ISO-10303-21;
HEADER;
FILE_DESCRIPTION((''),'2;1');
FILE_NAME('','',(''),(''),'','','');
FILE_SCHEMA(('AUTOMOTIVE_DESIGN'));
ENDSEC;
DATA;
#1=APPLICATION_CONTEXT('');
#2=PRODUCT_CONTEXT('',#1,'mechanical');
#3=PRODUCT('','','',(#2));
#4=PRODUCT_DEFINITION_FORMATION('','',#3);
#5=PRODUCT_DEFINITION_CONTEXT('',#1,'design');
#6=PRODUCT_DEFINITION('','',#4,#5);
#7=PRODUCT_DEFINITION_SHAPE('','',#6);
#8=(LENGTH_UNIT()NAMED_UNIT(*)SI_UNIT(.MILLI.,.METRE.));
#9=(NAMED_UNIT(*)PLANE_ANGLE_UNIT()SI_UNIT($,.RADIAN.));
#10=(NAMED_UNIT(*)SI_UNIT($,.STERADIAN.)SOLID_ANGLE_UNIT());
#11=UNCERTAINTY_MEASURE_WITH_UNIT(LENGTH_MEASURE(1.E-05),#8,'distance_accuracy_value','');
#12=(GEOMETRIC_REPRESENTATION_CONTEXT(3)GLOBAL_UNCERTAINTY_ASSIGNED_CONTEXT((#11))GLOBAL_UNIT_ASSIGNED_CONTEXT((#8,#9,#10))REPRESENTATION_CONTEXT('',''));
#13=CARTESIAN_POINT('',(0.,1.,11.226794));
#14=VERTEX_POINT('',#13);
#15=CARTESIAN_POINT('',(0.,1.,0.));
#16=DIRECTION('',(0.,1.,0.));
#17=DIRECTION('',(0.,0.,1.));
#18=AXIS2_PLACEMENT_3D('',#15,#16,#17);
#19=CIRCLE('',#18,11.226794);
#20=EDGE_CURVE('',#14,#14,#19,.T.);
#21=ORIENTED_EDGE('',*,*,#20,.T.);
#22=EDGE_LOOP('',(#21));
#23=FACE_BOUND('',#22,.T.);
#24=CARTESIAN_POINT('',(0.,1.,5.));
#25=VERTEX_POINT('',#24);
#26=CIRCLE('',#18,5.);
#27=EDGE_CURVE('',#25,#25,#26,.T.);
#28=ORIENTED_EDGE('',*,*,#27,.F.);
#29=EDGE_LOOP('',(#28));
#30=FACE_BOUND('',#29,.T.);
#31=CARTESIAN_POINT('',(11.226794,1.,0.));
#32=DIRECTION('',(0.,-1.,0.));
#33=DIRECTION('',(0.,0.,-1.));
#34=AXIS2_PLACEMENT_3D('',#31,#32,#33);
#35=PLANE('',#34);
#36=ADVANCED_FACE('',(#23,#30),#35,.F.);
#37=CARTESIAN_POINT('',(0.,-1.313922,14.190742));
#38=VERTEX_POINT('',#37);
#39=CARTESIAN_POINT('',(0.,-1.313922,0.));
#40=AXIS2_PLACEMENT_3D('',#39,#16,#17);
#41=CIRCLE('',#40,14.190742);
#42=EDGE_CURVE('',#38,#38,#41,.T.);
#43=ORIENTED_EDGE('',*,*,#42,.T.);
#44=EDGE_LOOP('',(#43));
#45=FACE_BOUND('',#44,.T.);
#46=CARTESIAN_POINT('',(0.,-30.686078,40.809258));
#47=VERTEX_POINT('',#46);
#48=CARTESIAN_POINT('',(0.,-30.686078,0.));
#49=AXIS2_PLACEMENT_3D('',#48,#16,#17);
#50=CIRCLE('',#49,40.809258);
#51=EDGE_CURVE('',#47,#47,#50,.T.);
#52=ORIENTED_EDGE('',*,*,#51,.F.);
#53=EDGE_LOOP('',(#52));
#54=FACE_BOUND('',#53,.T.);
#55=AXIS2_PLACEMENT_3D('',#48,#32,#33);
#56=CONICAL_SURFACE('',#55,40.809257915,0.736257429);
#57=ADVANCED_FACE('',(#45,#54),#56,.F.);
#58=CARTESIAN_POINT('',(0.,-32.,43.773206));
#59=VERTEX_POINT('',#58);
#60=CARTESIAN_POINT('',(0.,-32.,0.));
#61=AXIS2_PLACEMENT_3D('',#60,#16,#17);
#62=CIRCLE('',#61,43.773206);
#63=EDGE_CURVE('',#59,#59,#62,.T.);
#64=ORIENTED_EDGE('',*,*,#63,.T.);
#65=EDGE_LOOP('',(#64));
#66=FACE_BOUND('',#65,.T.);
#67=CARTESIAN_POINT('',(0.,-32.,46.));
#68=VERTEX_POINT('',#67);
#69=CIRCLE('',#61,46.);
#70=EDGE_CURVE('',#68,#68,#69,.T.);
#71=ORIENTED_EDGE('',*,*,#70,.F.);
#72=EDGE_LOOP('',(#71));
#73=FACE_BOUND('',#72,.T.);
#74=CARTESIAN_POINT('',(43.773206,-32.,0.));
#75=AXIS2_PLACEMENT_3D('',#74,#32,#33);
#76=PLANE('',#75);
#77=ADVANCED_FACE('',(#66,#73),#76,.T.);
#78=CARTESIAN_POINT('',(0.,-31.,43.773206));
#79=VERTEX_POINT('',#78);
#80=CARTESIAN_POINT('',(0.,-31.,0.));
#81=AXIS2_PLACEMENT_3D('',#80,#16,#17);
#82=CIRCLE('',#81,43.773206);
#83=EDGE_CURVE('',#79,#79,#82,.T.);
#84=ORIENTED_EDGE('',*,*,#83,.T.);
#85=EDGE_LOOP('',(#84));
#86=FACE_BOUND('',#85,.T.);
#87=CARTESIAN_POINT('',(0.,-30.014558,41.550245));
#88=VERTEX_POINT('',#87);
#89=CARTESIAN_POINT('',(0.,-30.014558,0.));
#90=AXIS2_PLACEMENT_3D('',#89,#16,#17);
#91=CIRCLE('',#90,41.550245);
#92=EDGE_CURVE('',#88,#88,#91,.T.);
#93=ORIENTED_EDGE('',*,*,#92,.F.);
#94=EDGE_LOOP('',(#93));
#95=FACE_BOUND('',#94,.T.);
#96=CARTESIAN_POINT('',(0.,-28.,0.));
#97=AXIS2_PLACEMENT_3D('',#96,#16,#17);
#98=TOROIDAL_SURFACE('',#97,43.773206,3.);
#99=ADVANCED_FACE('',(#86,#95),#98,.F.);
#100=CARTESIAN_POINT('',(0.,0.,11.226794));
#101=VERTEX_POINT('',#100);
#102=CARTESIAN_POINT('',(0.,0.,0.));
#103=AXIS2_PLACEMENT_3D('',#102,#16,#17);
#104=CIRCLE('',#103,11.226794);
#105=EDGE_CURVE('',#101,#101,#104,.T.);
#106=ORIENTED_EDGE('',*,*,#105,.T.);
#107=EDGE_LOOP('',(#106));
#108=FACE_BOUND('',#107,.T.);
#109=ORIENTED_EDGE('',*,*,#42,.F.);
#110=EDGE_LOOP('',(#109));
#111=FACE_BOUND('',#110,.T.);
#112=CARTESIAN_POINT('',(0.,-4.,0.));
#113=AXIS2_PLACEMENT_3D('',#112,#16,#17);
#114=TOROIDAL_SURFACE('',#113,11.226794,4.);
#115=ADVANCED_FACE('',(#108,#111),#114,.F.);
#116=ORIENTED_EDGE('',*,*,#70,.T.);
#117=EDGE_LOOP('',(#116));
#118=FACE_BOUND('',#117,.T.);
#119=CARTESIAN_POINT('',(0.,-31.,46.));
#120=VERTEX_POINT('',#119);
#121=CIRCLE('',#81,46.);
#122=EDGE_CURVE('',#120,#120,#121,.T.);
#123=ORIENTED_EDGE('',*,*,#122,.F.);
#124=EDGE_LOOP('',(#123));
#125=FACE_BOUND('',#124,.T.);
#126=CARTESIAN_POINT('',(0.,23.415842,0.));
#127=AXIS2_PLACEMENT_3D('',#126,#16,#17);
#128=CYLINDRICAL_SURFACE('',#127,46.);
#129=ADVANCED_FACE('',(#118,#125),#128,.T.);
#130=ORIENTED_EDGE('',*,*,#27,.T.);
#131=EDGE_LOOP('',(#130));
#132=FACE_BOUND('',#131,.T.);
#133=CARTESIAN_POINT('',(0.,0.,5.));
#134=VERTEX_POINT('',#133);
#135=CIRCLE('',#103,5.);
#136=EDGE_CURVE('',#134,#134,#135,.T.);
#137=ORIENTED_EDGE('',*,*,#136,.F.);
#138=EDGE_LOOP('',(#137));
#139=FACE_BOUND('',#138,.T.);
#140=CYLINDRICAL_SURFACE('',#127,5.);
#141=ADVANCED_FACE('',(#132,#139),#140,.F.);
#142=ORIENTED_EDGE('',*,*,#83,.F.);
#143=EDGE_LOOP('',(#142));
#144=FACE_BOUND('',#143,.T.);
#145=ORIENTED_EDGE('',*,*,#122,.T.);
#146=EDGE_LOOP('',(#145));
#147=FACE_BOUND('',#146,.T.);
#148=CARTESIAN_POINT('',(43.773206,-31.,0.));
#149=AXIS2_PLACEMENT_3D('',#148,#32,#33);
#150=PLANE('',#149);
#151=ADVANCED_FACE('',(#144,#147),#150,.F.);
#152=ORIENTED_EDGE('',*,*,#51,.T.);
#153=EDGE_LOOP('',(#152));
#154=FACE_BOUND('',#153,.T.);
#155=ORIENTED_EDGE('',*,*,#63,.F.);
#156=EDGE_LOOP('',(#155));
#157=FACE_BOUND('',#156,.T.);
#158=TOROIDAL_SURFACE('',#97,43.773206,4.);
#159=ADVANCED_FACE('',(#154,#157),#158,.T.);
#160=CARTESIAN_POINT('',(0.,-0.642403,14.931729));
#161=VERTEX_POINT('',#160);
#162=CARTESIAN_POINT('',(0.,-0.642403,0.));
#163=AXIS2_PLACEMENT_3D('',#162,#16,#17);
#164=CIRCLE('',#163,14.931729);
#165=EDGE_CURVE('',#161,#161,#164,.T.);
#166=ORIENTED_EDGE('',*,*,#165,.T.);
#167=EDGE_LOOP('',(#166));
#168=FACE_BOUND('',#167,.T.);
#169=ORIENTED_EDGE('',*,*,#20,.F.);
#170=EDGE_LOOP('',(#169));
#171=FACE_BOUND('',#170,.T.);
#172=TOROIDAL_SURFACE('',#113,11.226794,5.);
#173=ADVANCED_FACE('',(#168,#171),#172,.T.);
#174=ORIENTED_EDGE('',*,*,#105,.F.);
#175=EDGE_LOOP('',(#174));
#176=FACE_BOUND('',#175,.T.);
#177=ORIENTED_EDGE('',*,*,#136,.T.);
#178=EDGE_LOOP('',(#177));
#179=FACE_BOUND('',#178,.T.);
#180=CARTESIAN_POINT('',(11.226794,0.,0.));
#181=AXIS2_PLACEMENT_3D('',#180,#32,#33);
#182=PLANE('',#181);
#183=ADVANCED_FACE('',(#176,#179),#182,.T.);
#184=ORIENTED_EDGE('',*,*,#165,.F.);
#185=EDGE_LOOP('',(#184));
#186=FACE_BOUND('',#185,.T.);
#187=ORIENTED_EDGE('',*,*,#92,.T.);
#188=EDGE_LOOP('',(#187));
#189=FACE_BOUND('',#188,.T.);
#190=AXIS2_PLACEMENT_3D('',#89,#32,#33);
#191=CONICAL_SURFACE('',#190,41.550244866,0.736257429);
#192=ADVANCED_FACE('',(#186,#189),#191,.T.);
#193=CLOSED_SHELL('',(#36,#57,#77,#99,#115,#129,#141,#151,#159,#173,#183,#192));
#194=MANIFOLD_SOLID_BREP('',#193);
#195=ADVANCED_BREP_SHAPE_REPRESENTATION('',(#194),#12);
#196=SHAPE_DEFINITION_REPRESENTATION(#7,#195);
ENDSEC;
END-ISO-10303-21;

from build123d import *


with BuildPart() as part:
    # Sketch1 → Revolve-Thin1 (revolve)
    with BuildSketch(Plane.XY):
        with BuildLine():
            Line((5, 0), (11.22679428, 0))
            ThreePointArc((11.22679428, 0), (12.84785708, -0.343204217), (14.190742085, -1.313922301))
            Line((14.190742085, -1.313922301), (40.809257915, -30.686077699))
            ThreePointArc((40.809257915, -30.686077699), (42.15214292, -31.656795783), (43.77320572, -32))
            Line((43.77320572, -32), (46, -32))
            Line((46, -32), (46, -31))
            Line((46, -31), (43.77320572, -31))
            ThreePointArc((43.77320572, -31), (42.55740862, -30.742596837), (41.550244866, -30.014558274))
            Line((41.550244866, -30.014558274), (14.931729037, -0.642402876))
            ThreePointArc((14.931729037, -0.642402876), (13.25312278, 0.570994729), (11.22679428, 1))
            Line((11.22679428, 1), (5, 1))
            Line((5, 1), (5, 0))
        make_face()
    revolve(axis=Axis((0, 23.415841584, 0), (0, -1, 0)))


solid = part.part
